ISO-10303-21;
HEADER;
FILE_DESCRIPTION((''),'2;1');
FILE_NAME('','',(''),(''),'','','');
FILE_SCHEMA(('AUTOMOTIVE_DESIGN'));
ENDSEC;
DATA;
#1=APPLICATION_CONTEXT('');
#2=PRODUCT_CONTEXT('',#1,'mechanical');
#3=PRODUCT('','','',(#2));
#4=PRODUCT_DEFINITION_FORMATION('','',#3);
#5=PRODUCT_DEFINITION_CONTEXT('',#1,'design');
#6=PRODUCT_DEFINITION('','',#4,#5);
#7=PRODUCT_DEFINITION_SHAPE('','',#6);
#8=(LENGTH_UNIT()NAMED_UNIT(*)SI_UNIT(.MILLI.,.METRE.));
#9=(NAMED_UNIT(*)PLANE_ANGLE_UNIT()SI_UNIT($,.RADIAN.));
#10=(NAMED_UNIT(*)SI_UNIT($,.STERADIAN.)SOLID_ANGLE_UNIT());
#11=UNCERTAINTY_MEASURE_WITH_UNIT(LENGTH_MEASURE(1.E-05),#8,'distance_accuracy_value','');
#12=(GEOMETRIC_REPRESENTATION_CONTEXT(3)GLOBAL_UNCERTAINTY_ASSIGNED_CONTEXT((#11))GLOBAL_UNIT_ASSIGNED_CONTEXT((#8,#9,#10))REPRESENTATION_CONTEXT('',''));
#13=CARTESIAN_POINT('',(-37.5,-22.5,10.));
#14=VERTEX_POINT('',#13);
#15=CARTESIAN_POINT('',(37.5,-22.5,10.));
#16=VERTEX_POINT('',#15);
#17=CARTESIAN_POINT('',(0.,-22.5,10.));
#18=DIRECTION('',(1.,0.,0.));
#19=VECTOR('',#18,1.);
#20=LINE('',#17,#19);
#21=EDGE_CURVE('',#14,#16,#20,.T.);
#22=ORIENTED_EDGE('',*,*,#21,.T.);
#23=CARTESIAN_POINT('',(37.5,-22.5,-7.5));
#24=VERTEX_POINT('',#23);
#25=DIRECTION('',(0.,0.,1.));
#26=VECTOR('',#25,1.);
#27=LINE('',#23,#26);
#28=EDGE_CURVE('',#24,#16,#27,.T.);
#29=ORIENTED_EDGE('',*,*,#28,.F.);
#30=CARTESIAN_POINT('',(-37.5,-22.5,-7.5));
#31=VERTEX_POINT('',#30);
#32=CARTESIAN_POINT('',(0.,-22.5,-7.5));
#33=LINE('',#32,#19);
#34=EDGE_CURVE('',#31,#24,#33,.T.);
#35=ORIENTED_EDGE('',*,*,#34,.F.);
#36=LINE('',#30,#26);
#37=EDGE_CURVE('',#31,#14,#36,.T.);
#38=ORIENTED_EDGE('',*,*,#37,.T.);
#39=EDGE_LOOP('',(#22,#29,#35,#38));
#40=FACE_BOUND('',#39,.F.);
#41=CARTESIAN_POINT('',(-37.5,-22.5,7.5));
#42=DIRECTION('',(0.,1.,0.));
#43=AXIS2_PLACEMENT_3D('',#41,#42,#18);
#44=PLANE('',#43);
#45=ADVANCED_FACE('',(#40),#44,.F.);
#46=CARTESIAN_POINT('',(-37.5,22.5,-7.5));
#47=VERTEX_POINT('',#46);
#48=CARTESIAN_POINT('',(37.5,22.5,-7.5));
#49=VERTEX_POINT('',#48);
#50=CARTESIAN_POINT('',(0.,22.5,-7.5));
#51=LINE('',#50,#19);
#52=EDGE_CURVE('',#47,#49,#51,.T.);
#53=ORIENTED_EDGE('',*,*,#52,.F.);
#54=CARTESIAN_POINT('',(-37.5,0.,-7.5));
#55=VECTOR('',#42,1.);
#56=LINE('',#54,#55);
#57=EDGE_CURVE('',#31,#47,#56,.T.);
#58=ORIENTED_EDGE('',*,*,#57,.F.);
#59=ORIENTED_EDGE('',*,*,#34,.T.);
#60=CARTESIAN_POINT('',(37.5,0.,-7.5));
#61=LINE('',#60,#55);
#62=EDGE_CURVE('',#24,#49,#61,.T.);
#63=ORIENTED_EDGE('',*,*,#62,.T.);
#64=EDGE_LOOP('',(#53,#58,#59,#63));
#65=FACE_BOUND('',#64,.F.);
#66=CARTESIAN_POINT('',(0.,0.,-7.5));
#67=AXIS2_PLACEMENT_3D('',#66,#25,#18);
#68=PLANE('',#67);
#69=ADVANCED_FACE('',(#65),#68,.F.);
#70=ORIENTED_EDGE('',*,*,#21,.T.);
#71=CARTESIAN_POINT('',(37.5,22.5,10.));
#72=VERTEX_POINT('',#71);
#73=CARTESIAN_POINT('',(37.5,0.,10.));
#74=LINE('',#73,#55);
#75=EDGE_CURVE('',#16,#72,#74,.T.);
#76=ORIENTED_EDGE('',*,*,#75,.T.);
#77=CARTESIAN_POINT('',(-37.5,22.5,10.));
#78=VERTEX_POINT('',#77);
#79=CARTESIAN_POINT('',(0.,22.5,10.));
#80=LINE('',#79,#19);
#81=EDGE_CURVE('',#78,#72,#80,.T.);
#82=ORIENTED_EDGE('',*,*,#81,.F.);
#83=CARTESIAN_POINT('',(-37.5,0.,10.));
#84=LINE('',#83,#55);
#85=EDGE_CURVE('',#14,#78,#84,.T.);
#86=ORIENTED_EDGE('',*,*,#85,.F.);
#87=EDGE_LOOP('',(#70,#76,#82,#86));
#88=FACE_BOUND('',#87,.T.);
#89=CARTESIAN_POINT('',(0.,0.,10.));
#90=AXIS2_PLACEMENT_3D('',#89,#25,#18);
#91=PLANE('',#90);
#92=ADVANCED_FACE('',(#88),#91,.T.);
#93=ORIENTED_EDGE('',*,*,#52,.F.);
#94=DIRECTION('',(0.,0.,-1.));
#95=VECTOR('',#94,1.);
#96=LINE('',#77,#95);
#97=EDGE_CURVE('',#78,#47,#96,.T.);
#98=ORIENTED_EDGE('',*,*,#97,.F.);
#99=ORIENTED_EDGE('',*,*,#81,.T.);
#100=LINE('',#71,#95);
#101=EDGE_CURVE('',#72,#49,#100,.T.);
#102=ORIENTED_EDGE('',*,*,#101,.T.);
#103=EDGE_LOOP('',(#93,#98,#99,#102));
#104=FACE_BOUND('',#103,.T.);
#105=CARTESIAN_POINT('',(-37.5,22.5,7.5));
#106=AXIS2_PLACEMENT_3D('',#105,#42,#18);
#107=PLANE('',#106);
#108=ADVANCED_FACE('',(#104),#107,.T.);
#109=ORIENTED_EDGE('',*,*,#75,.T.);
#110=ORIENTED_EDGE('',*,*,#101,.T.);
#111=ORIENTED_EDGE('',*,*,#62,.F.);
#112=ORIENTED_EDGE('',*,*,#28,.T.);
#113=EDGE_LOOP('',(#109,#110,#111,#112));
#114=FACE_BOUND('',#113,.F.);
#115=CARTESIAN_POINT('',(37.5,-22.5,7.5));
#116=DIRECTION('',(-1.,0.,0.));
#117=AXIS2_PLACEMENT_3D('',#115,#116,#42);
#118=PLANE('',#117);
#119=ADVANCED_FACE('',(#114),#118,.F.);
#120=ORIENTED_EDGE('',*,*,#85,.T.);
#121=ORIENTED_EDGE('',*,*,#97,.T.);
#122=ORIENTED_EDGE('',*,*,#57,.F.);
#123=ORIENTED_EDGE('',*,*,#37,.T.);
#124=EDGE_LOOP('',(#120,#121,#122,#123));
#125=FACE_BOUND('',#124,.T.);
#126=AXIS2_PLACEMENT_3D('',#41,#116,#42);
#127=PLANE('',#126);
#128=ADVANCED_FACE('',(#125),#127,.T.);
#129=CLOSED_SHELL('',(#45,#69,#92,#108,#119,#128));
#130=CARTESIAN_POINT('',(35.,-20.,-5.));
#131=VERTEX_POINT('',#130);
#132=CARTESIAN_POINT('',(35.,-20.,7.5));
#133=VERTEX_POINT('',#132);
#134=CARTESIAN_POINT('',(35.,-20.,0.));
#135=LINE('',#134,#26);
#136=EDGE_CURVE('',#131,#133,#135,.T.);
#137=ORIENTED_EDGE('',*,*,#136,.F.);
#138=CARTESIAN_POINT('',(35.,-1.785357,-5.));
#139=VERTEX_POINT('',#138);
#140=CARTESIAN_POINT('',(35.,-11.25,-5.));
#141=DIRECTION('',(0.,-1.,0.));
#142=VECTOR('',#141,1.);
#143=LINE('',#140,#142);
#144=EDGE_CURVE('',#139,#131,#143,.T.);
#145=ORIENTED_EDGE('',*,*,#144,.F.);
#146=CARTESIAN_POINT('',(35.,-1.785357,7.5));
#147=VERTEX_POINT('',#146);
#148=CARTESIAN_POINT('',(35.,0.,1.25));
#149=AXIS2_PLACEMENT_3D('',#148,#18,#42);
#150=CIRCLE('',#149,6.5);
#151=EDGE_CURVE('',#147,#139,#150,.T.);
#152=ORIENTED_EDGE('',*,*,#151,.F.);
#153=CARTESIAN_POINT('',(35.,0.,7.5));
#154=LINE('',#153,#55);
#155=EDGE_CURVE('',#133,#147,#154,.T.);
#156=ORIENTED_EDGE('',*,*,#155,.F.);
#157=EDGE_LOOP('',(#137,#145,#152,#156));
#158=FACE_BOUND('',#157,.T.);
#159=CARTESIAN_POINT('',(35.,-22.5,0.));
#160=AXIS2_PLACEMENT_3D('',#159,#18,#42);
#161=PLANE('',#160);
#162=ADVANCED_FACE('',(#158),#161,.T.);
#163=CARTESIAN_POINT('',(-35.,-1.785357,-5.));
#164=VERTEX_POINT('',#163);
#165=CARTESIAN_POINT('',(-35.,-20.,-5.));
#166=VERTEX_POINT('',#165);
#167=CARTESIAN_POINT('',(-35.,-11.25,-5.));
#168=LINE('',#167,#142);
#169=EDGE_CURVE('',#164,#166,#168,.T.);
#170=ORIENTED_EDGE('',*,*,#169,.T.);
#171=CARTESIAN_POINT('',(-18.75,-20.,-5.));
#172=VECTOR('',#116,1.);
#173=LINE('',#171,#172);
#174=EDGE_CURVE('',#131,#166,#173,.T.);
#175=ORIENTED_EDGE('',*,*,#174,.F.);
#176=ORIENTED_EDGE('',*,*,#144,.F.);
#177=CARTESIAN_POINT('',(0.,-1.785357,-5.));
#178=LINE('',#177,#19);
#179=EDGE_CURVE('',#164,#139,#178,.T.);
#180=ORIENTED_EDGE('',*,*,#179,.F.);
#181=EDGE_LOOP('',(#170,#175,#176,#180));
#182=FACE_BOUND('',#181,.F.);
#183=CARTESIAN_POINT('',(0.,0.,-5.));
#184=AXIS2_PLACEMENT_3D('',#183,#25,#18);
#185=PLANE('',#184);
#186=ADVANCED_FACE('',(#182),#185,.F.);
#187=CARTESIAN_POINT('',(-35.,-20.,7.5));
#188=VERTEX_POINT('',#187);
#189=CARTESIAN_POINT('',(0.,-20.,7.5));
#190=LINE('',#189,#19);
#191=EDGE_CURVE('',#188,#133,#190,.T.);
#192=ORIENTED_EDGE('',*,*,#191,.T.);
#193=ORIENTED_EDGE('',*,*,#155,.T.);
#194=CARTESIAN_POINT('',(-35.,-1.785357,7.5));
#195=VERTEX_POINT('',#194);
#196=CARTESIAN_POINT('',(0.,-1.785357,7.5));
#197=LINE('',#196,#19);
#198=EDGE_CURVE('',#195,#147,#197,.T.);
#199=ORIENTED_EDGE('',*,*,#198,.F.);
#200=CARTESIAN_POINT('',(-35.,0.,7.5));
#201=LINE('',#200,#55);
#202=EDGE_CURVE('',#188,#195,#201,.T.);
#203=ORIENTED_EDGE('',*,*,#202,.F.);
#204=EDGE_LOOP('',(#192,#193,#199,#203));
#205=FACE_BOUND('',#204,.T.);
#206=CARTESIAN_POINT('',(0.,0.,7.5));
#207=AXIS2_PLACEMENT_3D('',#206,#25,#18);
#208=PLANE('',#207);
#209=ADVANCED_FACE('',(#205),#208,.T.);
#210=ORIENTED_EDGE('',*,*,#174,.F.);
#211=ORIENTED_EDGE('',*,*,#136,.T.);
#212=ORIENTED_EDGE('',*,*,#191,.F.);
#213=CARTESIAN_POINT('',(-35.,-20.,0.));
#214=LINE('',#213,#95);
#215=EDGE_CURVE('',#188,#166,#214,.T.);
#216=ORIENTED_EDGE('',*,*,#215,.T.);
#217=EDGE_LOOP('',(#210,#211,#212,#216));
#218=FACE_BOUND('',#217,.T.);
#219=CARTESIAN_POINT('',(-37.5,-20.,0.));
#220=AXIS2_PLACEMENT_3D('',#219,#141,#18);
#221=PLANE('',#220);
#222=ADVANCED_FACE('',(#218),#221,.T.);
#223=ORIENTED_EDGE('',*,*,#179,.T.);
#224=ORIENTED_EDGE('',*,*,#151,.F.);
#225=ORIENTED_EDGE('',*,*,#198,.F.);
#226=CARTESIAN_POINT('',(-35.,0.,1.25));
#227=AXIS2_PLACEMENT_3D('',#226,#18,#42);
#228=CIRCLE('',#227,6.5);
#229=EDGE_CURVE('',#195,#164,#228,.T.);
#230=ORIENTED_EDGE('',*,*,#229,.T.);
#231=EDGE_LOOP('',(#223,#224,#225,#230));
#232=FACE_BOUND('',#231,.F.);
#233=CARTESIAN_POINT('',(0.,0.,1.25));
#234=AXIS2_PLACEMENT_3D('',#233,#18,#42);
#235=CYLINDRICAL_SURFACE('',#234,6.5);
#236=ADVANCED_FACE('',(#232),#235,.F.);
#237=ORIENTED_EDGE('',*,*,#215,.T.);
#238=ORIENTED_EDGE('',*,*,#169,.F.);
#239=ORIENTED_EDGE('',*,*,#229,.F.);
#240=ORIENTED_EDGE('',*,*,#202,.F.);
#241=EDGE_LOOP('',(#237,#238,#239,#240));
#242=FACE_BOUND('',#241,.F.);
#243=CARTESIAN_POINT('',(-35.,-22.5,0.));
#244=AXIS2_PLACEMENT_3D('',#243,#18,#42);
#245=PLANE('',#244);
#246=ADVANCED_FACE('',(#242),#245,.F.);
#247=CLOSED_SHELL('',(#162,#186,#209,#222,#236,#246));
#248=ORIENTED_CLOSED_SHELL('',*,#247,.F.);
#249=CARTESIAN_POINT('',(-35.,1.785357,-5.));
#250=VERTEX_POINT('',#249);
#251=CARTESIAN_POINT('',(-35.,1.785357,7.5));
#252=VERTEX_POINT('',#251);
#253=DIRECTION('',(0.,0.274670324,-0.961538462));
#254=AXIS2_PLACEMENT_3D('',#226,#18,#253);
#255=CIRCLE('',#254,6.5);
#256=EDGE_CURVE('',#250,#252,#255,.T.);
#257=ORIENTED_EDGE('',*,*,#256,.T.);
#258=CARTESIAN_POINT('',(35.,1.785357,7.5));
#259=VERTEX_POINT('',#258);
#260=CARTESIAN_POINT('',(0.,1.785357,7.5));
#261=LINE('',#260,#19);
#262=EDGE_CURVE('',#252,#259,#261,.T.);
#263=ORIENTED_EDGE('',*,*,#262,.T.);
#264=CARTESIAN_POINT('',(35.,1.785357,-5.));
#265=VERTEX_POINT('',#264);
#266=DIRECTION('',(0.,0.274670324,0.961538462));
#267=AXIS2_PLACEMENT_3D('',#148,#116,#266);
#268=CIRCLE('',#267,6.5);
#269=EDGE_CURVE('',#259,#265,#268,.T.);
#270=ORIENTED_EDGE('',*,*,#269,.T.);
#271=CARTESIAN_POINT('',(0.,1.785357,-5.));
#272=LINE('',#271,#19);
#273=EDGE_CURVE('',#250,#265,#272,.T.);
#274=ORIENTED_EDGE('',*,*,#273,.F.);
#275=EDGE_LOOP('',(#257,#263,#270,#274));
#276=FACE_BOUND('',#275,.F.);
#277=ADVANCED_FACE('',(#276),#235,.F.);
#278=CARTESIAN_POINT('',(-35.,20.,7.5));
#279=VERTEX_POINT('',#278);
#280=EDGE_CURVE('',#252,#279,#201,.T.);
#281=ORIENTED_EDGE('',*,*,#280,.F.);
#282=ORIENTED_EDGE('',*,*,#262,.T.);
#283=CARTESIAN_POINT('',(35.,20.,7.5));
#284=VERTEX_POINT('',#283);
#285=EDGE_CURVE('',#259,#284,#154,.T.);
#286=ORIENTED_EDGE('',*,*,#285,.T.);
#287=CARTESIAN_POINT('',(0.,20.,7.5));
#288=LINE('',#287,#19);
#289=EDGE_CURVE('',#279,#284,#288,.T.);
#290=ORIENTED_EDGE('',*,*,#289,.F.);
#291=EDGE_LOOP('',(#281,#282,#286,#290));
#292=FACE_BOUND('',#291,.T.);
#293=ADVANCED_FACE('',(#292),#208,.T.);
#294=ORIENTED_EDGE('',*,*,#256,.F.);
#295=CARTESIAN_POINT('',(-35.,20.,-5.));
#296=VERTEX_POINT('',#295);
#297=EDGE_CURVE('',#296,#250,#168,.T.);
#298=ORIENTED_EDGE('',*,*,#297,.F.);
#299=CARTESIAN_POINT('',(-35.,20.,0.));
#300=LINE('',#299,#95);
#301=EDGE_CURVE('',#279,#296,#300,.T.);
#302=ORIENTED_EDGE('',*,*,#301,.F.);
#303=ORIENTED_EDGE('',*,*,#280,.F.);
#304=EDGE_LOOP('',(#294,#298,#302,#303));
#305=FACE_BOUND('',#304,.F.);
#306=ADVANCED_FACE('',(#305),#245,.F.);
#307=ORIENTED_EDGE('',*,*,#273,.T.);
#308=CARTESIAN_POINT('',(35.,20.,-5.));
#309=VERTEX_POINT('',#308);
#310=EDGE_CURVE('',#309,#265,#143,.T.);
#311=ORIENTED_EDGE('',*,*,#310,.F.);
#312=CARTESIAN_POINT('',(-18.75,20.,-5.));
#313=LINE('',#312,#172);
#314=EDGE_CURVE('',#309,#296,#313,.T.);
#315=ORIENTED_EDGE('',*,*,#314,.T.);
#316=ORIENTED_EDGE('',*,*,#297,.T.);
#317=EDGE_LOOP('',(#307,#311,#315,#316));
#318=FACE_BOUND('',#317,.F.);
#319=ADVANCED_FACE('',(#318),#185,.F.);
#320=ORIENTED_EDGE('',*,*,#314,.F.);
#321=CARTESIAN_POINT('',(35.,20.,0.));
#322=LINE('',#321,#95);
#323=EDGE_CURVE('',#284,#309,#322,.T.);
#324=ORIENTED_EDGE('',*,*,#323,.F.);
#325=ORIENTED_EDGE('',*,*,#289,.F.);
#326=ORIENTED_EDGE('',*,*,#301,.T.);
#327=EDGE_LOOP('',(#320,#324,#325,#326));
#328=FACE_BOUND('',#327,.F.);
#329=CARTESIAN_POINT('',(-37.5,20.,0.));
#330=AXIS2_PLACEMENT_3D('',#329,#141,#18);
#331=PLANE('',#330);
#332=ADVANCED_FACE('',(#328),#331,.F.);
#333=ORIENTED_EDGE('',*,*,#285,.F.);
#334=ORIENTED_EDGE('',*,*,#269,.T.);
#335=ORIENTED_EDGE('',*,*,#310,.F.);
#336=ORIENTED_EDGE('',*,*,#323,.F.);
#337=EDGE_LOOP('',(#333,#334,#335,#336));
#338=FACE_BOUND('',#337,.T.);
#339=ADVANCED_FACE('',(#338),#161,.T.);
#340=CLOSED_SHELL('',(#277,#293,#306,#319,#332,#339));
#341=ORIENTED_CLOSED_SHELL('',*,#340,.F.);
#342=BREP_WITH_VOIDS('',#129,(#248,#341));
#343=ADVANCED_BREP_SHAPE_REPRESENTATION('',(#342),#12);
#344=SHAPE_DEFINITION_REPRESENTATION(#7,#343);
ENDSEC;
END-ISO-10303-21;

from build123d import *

# Parameters (mm, degrees)
F0_W     = 75
F0_H     = 45
F1_DEPTH = 7.5
F2_T     = -2.5
F3_W     = 75
F3_H     = 45
F4_DEPTH = 2.5
F5_R     = 6.5
F6_DEPTH = 37


with BuildPart() as f1:
    # F0 (on Top) → F1 (new body, symmetric)
    with BuildSketch(Plane.XY):
        Rectangle(F0_W, F0_H)
    extrude(amount=F1_DEPTH, both=True)

    # F2
    f2_openings = [f1.faces().sort_by_distance(p)[0] for p in [
        (0, 0, 7.5),
    ]]
    offset(amount=F2_T, openings=f2_openings)

    # F3 (on face) → F4 (join)
    with BuildSketch(Plane.XY.offset(7.5)):
        Rectangle(F3_W, F3_H)
    extrude(amount=F4_DEPTH)

    # F5 (on Right) → F6 (join, symmetric)
    with BuildSketch(Plane.YZ):
        with Locations((0, 1.25)):
            Circle(F5_R)
    extrude(amount=F6_DEPTH, both=True)


solid = f1.part
